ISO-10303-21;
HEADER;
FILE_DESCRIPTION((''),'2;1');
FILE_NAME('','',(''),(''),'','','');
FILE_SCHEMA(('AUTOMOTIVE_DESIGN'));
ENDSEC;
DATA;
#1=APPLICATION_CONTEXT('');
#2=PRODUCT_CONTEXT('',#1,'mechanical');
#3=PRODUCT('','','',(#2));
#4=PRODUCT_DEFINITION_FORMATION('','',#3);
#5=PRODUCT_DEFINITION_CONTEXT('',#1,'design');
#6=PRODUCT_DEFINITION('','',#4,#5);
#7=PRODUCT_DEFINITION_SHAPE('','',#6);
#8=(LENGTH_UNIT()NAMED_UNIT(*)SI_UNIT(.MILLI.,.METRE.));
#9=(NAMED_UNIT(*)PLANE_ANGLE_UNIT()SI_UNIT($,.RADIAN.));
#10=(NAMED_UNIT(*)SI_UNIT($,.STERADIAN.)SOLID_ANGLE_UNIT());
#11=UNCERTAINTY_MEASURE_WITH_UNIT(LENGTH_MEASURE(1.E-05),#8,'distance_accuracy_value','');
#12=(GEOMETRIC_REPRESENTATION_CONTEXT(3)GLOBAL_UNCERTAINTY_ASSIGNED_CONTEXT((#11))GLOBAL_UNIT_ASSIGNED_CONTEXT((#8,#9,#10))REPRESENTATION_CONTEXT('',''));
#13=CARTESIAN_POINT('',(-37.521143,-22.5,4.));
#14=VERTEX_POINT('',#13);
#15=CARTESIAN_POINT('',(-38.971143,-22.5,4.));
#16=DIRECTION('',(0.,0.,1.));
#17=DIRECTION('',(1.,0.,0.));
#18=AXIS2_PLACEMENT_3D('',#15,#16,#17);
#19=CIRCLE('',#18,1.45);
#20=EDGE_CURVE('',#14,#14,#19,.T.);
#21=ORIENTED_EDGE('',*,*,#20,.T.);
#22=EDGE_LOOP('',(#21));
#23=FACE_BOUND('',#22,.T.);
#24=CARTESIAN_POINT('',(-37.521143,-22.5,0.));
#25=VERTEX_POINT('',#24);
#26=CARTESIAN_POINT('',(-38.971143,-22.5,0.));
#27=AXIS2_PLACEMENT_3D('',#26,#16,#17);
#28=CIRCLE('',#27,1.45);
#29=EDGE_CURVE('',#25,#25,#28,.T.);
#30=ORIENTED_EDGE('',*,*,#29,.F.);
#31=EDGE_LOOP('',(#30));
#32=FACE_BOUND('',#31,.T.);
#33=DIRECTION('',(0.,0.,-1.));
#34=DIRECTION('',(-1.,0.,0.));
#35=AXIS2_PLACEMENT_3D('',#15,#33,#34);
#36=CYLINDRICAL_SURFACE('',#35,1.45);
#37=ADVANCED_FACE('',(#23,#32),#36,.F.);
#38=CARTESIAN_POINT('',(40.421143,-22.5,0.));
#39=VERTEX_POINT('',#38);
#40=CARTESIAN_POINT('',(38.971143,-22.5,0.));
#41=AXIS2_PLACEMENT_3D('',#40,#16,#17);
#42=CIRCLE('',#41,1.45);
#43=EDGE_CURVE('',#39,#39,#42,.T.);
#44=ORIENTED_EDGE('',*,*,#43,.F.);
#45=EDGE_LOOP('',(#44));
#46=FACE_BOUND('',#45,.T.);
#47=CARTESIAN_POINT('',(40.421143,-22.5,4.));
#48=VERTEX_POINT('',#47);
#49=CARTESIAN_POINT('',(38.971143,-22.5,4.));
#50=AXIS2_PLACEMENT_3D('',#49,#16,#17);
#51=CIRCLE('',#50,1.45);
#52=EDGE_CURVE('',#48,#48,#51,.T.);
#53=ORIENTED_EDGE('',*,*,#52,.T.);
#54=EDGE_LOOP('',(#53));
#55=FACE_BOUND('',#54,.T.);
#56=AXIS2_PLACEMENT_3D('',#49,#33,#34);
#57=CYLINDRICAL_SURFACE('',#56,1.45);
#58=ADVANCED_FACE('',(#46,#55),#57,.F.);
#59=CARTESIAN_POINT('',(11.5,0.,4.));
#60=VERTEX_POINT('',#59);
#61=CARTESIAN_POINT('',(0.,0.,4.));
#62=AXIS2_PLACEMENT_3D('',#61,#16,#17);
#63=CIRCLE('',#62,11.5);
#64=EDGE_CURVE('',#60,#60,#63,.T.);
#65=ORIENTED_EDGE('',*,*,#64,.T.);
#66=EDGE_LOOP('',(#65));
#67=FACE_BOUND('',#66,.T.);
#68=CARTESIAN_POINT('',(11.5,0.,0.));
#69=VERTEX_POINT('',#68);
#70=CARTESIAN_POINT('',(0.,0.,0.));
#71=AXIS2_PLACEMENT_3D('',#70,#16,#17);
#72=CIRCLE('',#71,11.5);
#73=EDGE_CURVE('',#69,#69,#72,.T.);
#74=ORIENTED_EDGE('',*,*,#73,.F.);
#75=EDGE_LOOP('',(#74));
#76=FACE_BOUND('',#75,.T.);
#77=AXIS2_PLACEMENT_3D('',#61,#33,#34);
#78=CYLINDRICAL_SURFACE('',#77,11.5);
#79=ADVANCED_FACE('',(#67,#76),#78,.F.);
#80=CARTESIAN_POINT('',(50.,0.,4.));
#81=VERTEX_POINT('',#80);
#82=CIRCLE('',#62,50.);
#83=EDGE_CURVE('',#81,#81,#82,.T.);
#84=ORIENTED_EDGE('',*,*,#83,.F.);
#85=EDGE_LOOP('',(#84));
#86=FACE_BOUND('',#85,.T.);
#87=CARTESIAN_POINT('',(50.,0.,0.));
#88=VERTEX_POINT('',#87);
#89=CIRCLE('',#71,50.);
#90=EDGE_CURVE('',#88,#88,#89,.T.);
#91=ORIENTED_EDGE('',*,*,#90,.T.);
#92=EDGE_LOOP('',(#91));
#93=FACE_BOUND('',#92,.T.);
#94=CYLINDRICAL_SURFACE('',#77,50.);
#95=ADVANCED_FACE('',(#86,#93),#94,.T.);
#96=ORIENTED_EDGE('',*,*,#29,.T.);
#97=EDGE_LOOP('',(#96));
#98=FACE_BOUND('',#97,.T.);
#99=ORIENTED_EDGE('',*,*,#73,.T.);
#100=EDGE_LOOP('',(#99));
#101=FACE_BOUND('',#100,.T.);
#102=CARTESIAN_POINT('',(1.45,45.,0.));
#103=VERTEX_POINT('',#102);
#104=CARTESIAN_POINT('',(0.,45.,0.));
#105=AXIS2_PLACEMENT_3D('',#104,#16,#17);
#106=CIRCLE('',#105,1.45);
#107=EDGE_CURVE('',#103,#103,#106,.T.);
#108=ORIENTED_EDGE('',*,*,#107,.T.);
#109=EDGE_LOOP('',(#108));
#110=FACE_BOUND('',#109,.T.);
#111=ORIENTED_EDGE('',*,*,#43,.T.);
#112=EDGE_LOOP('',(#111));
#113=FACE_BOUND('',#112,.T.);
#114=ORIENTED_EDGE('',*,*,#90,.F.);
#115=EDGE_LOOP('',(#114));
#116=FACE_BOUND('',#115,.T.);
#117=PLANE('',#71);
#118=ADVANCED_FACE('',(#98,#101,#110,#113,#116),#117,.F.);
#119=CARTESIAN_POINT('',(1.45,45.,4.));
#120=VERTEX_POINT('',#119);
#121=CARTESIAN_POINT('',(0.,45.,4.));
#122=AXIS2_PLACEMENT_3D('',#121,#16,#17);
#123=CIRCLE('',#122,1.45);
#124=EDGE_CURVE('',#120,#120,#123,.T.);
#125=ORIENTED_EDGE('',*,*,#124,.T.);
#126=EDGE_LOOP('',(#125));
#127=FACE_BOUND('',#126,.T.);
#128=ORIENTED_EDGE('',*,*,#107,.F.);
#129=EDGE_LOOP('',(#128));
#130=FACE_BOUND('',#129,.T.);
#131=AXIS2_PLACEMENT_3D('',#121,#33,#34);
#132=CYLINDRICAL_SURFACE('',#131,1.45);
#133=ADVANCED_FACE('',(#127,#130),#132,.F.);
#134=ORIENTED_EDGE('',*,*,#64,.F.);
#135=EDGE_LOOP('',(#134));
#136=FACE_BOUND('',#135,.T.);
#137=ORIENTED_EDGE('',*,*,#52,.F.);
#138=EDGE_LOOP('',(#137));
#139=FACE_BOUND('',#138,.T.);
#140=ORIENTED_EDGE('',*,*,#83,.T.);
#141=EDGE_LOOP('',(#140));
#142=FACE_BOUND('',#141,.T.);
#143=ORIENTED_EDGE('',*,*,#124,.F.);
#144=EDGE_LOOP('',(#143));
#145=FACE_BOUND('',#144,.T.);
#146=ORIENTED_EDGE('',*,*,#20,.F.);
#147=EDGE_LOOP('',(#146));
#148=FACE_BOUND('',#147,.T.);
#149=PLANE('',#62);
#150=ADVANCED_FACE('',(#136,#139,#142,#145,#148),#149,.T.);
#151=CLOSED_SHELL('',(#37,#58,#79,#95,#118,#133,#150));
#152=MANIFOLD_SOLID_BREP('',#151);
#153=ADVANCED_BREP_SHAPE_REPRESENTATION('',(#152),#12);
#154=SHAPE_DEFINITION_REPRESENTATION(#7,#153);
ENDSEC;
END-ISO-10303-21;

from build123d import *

# Parameters (mm, degrees)
SKETCH1_R           = 50
SKETCH1_R_2         = 11.5
SKETCH1_R_3         = 1.45
BOSS_EXTRUDE1_DEPTH = 4


with BuildPart() as part:
    # Sketch1 → Boss-Extrude1 (new body)
    with BuildSketch(Plane.XY):
        Circle(SKETCH1_R)
        Circle(SKETCH1_R_2, mode=Mode.SUBTRACT)
        with Locations((0, 45)):
            Circle(SKETCH1_R_3, mode=Mode.SUBTRACT)
        with Locations((38.97114317, -22.5)):
            Circle(SKETCH1_R_3, mode=Mode.SUBTRACT)
        with Locations((-38.97114317, -22.5)):
            Circle(SKETCH1_R_3, mode=Mode.SUBTRACT)
    extrude(amount=BOSS_EXTRUDE1_DEPTH)


solid = part.part
